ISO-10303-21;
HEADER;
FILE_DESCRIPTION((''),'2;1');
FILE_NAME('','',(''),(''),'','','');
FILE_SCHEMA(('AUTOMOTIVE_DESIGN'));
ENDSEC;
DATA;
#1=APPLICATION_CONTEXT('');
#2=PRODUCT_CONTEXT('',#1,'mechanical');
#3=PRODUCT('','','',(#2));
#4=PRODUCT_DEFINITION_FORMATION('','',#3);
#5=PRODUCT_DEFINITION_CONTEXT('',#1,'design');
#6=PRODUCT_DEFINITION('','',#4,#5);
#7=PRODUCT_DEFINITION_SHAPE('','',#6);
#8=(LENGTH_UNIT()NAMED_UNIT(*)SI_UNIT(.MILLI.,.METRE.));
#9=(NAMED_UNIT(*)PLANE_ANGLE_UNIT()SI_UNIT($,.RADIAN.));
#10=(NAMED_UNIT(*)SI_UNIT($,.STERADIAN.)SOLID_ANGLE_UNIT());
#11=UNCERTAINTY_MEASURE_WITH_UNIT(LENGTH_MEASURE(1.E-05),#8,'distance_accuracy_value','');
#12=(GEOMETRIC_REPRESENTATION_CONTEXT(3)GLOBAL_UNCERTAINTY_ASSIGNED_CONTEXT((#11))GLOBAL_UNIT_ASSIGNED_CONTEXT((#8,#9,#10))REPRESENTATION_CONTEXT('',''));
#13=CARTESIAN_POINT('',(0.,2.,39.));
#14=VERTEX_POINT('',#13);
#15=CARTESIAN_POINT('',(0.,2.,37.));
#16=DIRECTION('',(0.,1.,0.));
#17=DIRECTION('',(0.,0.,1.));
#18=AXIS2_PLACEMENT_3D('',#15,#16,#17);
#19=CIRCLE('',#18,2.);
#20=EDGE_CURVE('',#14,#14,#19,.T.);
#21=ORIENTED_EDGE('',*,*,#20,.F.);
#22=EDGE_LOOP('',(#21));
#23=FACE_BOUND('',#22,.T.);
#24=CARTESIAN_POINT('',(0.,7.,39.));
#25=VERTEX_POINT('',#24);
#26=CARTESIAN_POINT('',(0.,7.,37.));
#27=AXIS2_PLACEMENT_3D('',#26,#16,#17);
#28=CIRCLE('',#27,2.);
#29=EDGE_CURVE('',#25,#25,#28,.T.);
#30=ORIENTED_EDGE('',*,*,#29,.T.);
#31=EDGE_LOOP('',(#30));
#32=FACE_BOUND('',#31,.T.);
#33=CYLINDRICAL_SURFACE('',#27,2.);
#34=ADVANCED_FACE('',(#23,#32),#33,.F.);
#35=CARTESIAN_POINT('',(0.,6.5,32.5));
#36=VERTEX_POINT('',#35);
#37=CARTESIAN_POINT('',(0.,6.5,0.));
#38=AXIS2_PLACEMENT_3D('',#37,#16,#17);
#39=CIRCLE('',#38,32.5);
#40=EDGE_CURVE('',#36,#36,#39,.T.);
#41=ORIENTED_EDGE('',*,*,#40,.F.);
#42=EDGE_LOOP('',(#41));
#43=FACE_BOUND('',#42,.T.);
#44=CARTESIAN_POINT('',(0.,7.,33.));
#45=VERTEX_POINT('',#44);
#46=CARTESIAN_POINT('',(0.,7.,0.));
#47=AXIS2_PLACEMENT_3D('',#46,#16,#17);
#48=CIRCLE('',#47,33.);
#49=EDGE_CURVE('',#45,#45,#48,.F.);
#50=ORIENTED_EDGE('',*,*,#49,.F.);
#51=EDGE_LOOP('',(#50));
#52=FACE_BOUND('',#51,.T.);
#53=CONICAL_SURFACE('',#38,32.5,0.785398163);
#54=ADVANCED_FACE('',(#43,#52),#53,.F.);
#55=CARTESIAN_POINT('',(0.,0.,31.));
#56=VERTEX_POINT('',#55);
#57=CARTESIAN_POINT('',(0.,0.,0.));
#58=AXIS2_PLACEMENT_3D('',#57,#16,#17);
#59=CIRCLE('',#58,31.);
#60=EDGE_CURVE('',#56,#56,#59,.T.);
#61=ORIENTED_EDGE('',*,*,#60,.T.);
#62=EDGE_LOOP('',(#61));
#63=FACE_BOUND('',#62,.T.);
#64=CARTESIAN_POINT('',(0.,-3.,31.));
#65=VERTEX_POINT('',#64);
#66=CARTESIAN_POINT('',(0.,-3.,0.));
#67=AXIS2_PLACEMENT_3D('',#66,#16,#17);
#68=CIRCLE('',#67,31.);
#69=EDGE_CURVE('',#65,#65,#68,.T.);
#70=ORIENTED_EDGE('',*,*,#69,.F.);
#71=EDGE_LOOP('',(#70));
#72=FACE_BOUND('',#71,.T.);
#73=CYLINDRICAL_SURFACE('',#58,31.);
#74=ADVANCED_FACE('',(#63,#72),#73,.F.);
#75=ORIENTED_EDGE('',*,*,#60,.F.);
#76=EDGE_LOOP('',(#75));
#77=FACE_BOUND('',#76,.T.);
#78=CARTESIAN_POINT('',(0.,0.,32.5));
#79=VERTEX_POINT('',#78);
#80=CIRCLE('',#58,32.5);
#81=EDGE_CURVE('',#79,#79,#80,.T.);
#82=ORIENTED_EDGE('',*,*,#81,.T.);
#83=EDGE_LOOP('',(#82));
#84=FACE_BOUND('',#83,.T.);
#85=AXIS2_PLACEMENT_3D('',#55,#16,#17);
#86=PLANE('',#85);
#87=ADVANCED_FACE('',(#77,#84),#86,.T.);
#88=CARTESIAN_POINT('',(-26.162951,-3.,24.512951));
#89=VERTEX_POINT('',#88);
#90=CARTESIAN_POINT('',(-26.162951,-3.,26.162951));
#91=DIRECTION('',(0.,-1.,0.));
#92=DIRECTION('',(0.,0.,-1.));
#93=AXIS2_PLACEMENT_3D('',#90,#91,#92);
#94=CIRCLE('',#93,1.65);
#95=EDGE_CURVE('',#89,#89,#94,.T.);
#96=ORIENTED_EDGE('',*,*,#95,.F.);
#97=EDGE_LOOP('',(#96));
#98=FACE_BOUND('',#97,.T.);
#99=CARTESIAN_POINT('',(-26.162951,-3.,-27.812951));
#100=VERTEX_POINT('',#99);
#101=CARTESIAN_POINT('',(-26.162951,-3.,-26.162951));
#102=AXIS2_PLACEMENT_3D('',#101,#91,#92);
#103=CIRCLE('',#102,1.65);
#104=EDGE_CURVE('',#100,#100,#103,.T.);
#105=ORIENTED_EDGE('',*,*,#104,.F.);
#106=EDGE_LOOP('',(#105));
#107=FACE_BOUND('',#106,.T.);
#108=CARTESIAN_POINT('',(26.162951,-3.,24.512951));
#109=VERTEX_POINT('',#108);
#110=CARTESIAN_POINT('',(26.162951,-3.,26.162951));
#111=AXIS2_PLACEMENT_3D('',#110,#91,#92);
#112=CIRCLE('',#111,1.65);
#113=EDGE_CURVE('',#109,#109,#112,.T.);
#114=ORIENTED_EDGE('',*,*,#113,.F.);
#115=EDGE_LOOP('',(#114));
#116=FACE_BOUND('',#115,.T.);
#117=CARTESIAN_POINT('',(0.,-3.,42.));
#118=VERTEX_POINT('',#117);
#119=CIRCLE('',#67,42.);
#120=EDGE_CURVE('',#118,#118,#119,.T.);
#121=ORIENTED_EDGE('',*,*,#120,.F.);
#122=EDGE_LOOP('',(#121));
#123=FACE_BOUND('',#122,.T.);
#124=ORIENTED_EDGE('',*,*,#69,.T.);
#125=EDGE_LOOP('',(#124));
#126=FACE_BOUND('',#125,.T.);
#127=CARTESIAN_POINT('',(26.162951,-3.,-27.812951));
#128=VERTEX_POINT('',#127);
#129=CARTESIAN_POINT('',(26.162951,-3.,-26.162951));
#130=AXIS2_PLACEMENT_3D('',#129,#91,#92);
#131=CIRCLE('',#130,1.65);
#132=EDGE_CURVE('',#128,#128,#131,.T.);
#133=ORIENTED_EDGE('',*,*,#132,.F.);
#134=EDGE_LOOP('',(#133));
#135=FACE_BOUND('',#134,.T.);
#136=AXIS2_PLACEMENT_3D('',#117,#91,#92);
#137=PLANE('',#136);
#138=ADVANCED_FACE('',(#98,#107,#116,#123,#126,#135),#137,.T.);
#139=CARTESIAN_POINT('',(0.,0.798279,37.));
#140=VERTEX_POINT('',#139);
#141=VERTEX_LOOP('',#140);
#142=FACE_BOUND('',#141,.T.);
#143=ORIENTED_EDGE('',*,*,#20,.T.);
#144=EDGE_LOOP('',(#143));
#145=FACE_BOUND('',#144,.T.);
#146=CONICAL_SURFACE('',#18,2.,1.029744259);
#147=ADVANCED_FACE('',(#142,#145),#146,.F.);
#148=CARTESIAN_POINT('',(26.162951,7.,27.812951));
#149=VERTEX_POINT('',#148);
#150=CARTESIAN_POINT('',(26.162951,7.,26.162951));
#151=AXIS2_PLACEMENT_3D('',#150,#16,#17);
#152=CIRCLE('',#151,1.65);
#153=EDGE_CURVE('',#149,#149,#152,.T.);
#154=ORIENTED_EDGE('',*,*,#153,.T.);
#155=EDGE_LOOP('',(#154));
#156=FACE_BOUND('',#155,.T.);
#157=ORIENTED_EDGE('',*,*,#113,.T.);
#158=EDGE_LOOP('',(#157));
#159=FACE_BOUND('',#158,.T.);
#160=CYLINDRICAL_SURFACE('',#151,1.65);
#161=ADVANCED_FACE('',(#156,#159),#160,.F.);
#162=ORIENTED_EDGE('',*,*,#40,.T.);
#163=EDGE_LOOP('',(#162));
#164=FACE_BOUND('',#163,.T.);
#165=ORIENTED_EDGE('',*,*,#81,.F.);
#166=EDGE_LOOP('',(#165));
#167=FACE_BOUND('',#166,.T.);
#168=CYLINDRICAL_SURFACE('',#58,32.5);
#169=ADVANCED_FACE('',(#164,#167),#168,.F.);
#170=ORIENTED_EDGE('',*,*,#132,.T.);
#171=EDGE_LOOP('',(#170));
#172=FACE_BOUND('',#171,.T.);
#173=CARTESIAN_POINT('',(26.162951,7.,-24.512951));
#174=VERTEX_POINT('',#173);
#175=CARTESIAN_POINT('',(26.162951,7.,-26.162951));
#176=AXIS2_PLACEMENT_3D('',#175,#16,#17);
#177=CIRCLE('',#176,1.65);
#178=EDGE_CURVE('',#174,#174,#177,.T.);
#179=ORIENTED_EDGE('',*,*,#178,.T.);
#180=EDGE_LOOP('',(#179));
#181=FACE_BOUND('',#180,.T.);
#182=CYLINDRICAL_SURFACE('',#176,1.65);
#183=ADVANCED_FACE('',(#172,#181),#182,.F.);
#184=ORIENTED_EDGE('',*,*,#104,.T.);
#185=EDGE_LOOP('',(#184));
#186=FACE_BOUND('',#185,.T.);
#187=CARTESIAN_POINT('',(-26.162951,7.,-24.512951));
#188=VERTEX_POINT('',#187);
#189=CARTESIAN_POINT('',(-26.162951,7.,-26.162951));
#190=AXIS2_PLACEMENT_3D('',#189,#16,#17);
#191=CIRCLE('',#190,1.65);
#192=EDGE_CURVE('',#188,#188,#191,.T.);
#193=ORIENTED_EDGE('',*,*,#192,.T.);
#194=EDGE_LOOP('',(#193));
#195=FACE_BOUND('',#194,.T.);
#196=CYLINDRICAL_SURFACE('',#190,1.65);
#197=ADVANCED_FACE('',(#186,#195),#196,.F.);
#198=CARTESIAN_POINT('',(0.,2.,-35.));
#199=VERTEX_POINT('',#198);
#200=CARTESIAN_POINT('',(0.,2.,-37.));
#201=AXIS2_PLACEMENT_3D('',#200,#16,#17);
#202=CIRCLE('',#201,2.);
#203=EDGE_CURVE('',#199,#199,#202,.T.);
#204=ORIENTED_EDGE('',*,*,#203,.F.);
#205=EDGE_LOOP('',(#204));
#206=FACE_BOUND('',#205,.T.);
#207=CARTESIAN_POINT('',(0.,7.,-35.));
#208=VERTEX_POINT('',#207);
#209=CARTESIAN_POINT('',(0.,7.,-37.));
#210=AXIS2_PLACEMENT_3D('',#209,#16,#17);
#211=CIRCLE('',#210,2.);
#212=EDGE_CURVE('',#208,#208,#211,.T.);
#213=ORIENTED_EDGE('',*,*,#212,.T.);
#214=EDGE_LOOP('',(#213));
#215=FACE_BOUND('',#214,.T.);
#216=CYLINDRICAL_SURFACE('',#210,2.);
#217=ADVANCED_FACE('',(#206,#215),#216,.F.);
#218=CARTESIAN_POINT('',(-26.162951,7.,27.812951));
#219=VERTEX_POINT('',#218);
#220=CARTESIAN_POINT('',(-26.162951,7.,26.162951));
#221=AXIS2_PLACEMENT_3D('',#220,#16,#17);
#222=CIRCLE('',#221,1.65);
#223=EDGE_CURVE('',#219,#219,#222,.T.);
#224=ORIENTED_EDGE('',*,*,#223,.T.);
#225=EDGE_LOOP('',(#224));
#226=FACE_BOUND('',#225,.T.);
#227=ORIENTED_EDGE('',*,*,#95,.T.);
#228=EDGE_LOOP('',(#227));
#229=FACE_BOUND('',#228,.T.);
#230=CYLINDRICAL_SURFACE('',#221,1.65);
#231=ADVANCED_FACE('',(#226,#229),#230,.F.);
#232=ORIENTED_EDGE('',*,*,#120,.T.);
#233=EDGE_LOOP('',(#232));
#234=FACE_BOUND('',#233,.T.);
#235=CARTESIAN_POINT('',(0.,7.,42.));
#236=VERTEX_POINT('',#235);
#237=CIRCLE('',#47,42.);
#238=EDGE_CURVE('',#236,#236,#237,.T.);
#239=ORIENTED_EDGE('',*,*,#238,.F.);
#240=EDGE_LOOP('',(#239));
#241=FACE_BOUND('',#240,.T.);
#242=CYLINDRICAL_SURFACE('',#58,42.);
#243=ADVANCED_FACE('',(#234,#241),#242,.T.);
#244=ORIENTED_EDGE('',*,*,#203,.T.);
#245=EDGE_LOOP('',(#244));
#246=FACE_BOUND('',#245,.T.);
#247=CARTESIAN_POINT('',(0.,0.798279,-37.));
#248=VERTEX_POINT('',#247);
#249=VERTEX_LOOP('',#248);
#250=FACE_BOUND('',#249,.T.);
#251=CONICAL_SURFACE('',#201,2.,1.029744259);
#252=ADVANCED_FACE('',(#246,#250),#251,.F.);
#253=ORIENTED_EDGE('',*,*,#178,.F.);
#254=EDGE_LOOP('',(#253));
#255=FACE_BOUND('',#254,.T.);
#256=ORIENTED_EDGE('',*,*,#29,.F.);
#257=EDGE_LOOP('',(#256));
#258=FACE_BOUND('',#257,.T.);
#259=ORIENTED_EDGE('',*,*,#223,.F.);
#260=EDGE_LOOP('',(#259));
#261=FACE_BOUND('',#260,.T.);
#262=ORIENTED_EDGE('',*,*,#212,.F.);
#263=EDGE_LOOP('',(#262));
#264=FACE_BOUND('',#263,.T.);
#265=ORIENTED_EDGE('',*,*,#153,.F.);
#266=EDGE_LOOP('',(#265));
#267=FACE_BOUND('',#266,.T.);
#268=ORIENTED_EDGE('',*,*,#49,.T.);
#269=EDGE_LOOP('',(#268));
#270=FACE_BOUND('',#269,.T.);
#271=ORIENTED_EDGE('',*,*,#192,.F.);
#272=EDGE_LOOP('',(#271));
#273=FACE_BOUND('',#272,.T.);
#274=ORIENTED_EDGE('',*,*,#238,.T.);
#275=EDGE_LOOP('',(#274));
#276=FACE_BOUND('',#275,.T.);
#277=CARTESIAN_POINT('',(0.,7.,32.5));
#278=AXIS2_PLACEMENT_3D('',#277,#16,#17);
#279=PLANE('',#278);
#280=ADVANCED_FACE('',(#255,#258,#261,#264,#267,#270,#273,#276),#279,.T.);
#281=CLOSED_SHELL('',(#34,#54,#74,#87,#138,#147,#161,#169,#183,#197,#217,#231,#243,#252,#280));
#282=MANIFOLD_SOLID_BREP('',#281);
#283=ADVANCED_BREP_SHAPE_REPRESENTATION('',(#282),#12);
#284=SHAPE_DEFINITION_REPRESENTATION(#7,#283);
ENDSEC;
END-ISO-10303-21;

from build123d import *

# Parameters (mm, degrees)
DIAM_TRE_DU_PER_AGE_4_0_4_1_D     = 4
DIAM_TRE_DU_PER_AGE_4_0_4_1_DEPTH = 5
DIAM_TRE_DU_PER_AGE_4_0_4_1_TIP   = 1.201721238
TROU_TARAUD_M41_D                 = 3.3
R_P_TITION_CIRCULAIRE1_COUNT      = 4
CHANFREIN1_SIZE                   = 0.5


with BuildPart() as part:
    # Esquisse1 → Révolution1 (revolve)
    with BuildSketch(Plane(origin=(0, 0, 0), x_dir=(0, 0, -1), z_dir=(1, 0, 0))):
        Polygon((-31, -3), (-31, 0), (-32.5, 0), (-32.5, 7), (-42, 7), (-42, -3), align=None)
    revolve(axis=Axis((0, 0, 0), (0, -1, 0)))

    # Diamètre du perçage Ø4.0 (4)1
    with Locations(Plane(origin=(0, 7, 0), x_dir=(1, 0, 0), z_dir=(0, 1, 0))):
        with Locations((0, 37), (0, -37)):
            Hole(DIAM_TRE_DU_PER_AGE_4_0_4_1_D / 2, depth=DIAM_TRE_DU_PER_AGE_4_0_4_1_DEPTH)
            with Locations((0, 0, -(DIAM_TRE_DU_PER_AGE_4_0_4_1_DEPTH + DIAM_TRE_DU_PER_AGE_4_0_4_1_TIP / 2))):  # 118° drill point
                Cone(0, DIAM_TRE_DU_PER_AGE_4_0_4_1_D / 2, DIAM_TRE_DU_PER_AGE_4_0_4_1_TIP, mode=Mode.SUBTRACT)

    # Trou taraudé M41 (through all)
    with Locations(Plane(origin=(0, 7, 0), x_dir=(1, 0, 0), z_dir=(0, 1, 0))):
        with Locations((-26.162950904, 26.162950904)):
            trou_taraud_m41 = Hole(TROU_TARAUD_M41_D / 2)

    # Répétition circulaire1: Trou taraudé M41 ×4 about axis
    r_p_tition_circulaire1_axis = Axis((0, 0, 0), (0, 1, 0))
    for i in range(1, R_P_TITION_CIRCULAIRE1_COUNT):
        add(trou_taraud_m41.rotate(r_p_tition_circulaire1_axis, i * 360 / R_P_TITION_CIRCULAIRE1_COUNT), mode=Mode.SUBTRACT)

    # Chanfrein1
    chanfrein1_edges = [part.edges().sort_by_distance(p)[0] for p in [
        (0, 7, -32.5),
    ]]
    chamfer(chanfrein1_edges, length=CHANFREIN1_SIZE)


solid = part.part
